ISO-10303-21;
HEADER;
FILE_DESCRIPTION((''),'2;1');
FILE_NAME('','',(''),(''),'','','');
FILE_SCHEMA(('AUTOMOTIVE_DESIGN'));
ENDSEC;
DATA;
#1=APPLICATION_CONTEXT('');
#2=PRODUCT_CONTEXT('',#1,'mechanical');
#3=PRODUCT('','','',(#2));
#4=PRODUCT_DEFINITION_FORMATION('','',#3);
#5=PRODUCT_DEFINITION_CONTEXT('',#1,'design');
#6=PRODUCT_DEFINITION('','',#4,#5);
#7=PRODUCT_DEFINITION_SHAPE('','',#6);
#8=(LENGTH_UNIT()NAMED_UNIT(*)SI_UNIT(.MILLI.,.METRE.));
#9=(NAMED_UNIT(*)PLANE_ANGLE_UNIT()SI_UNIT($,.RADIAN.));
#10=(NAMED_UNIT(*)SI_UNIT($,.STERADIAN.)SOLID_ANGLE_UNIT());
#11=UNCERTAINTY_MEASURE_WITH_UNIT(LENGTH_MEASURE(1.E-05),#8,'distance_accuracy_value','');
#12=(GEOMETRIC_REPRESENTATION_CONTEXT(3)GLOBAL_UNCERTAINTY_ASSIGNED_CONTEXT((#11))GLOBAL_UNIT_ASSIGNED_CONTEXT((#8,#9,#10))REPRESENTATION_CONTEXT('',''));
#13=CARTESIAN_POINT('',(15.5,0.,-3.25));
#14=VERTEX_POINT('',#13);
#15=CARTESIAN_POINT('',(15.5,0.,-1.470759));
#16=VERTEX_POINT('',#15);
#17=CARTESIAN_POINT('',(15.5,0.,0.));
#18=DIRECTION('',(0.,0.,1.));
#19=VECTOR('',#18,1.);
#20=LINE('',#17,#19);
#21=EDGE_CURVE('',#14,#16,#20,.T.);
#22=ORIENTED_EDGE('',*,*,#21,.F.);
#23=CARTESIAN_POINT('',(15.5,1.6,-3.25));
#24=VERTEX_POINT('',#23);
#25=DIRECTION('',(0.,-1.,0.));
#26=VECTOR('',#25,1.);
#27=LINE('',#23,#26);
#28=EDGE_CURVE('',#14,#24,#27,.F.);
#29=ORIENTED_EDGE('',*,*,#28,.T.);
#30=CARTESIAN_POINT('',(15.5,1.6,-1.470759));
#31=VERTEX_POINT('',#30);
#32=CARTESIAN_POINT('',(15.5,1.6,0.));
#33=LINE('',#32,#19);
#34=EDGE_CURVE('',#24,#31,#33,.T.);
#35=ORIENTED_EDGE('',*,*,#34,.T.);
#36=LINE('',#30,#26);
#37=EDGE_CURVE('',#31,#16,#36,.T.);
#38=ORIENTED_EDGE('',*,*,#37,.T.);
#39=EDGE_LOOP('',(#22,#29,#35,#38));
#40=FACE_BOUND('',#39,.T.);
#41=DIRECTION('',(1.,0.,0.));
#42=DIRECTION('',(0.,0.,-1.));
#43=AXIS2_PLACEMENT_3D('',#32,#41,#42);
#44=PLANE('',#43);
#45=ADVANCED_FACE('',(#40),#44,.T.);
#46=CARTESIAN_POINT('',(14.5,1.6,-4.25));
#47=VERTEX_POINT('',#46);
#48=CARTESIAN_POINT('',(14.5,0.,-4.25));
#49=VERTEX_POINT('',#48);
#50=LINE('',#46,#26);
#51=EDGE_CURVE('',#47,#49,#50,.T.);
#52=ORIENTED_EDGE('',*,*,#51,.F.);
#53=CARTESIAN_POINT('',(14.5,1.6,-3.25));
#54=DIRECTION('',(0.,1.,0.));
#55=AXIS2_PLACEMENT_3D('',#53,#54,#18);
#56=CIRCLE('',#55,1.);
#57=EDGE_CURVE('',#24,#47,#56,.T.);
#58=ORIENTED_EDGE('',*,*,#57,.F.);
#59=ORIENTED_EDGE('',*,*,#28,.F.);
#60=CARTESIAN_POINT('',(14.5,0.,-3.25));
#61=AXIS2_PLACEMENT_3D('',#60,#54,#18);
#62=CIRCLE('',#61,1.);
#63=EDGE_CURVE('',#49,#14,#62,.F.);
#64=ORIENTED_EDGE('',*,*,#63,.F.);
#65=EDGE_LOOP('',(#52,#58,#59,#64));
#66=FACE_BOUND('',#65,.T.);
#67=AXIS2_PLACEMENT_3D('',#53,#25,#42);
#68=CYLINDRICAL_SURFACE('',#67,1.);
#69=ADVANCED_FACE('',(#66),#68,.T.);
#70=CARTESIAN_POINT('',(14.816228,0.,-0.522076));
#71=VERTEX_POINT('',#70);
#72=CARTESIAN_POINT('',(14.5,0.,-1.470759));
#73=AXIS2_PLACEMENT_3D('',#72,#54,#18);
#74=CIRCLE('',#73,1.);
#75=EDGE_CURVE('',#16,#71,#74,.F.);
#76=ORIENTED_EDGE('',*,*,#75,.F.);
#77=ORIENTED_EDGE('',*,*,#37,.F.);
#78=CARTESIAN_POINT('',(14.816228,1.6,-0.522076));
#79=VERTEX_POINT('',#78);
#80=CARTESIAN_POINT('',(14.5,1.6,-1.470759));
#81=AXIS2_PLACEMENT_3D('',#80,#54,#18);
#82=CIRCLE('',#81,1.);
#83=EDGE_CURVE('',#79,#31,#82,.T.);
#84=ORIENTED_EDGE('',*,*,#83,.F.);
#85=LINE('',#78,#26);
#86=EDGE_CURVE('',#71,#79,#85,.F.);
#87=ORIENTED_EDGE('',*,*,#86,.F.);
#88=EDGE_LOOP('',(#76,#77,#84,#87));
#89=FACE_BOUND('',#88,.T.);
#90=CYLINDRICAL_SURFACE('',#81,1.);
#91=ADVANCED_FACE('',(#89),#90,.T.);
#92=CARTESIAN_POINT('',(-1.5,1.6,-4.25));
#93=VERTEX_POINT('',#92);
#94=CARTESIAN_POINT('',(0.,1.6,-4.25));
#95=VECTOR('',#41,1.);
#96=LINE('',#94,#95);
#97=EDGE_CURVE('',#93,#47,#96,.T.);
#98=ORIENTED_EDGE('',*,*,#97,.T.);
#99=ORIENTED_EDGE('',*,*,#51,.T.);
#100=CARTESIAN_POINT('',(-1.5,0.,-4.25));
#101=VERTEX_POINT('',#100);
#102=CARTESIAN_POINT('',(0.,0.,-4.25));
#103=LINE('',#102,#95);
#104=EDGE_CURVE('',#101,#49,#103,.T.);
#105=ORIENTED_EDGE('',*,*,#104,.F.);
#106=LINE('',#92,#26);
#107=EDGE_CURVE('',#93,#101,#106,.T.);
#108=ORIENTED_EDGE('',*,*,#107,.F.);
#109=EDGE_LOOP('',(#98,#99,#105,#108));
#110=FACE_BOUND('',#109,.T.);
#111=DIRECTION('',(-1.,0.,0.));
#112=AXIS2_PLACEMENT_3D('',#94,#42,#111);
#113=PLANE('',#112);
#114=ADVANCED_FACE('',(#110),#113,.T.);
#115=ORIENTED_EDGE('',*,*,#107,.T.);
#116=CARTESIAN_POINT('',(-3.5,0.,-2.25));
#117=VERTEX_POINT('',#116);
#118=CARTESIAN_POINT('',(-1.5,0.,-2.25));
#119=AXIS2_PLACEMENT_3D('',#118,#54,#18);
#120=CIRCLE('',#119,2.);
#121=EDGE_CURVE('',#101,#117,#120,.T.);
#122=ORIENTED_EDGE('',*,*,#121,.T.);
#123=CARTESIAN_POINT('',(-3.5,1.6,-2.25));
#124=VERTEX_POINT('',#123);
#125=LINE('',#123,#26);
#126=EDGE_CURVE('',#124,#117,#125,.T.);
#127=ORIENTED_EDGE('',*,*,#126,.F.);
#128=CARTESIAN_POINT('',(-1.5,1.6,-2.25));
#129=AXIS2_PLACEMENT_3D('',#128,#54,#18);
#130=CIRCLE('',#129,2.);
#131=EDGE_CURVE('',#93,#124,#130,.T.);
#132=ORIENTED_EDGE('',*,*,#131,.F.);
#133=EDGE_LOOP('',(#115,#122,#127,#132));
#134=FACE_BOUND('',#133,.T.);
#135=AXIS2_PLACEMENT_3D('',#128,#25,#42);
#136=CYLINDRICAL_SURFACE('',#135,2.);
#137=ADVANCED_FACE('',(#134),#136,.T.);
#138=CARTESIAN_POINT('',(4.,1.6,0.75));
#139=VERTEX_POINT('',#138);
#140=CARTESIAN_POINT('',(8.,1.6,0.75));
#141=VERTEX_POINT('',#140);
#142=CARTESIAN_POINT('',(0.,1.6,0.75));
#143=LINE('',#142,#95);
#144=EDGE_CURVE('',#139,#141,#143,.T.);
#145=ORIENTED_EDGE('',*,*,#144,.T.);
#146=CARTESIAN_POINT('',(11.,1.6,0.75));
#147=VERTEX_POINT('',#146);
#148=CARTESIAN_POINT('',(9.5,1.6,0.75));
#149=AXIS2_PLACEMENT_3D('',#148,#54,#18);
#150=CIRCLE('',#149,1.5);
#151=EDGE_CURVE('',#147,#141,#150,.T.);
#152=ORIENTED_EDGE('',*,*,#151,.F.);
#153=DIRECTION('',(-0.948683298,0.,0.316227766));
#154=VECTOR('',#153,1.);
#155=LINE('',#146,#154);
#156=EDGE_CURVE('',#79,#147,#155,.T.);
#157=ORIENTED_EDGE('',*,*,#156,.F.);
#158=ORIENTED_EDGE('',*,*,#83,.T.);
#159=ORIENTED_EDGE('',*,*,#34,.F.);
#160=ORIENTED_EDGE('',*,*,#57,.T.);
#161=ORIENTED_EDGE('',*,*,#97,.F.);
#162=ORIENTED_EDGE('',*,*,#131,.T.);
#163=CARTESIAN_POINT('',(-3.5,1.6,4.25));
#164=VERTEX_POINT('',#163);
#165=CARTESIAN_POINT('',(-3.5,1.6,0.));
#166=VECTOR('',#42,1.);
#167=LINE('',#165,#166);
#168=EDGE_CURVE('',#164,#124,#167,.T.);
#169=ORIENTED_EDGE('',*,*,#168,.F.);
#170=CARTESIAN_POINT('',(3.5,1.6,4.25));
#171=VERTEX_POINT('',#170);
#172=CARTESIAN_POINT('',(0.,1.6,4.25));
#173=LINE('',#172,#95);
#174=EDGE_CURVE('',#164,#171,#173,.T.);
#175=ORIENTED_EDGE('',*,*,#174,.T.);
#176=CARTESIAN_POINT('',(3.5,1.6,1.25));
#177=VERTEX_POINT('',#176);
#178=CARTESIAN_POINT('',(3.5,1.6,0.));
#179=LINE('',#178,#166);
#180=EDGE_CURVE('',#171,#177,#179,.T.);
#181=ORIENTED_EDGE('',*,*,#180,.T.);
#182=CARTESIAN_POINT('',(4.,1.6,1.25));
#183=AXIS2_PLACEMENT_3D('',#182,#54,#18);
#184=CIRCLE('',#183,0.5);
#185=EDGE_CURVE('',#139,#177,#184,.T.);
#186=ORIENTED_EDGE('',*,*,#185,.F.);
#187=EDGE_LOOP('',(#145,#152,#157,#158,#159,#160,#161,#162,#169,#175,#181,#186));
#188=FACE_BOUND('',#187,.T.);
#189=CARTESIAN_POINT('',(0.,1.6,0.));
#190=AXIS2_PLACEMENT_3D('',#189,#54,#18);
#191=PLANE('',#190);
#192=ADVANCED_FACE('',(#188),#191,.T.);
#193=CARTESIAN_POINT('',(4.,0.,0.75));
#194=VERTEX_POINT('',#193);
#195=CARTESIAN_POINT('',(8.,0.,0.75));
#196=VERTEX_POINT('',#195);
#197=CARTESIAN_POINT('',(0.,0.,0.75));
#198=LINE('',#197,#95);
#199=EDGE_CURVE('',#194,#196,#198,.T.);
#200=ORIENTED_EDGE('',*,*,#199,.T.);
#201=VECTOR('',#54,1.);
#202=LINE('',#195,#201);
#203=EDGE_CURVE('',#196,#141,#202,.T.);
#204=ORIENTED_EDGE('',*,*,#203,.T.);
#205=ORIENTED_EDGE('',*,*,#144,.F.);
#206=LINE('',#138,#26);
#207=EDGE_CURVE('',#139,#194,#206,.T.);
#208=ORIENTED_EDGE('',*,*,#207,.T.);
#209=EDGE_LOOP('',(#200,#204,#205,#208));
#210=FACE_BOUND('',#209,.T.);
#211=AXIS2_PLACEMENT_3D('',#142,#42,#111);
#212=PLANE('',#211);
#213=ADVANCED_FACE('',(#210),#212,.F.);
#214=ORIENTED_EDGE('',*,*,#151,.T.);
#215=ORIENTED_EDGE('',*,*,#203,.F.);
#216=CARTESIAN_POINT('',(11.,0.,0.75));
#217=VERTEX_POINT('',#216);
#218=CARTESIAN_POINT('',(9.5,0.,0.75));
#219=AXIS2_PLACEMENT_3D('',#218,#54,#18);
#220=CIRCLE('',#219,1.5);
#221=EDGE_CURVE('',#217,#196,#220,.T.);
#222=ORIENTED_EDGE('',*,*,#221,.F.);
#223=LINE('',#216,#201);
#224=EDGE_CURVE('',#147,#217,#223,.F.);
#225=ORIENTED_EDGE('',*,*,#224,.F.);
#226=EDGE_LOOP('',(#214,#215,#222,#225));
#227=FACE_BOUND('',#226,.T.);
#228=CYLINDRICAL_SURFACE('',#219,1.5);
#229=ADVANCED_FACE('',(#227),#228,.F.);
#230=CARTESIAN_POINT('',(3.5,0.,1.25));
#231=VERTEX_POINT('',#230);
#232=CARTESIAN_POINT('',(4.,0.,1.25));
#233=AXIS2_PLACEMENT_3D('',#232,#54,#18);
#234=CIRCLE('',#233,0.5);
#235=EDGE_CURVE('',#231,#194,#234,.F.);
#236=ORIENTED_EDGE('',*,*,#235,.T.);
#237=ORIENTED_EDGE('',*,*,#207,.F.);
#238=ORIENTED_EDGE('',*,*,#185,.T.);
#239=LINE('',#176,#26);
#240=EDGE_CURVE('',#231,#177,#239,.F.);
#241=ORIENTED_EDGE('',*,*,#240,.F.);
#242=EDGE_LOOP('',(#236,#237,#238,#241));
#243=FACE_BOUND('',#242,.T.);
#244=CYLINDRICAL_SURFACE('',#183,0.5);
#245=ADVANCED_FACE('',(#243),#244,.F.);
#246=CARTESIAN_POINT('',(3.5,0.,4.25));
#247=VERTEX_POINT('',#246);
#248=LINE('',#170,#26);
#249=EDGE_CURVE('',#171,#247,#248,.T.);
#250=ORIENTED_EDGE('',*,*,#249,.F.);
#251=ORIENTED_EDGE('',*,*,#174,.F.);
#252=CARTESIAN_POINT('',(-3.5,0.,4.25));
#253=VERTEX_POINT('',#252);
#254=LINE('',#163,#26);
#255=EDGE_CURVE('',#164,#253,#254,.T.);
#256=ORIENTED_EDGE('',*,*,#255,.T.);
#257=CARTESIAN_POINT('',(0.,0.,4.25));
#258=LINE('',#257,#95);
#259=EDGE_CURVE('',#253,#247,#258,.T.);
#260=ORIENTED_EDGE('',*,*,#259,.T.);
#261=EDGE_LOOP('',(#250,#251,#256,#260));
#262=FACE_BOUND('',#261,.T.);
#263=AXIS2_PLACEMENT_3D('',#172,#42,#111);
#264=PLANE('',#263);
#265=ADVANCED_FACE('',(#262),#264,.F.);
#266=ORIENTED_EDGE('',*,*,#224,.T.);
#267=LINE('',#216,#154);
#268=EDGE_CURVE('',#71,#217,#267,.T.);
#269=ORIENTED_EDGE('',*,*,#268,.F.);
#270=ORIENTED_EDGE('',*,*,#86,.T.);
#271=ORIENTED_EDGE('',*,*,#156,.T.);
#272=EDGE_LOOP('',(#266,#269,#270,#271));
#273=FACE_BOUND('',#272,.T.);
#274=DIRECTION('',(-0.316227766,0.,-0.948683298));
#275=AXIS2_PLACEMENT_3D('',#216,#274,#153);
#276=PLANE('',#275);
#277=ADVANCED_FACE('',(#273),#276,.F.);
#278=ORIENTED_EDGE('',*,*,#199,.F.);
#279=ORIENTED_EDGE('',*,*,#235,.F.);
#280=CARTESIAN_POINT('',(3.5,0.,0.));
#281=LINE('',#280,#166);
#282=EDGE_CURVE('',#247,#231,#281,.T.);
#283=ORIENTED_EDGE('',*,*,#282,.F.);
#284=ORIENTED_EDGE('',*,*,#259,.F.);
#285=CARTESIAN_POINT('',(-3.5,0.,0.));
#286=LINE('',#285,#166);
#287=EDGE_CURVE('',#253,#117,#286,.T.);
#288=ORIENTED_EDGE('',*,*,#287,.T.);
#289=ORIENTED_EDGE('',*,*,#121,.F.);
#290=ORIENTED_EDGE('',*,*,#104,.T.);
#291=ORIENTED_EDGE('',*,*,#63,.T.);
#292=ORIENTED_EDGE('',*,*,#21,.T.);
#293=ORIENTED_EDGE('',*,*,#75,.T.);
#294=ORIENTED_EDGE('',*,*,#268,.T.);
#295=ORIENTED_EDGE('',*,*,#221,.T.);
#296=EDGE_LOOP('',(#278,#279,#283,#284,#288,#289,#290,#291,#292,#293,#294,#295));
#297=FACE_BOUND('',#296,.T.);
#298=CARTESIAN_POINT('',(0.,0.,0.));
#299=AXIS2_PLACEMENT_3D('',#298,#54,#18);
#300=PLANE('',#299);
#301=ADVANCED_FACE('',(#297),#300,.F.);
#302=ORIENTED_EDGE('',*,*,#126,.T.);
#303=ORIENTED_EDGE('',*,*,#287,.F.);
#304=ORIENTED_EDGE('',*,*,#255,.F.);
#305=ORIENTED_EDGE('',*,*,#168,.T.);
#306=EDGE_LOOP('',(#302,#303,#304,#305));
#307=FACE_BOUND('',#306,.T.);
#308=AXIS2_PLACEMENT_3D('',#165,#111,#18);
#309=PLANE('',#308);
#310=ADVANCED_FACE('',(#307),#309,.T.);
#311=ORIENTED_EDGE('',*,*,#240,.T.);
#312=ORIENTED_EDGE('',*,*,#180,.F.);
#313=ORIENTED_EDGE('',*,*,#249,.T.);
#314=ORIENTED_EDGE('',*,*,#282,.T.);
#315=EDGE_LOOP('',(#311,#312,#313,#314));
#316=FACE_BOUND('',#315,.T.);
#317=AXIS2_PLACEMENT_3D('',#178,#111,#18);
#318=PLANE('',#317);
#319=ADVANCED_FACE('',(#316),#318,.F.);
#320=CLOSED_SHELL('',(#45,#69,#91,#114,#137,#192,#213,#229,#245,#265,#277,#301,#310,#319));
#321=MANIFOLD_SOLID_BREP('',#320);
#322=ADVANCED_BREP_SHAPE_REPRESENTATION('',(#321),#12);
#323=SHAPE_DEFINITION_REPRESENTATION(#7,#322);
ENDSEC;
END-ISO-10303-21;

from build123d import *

# Parameters (mm, degrees)
ESBO_O2_W                = 12
ESBO_O2_H                = 5
RESSALTO_EXTRUS_O1_DEPTH = 1.6
ESBO_O3_R                = 1.5
CORTE_EXTRUS_O1_DEPTH    = 1.6
CORTE_EXTRUS_O2_DEPTH    = 1.6
FILETE1_R                = 1
FILETE2_R                = 1
FILETE6_R                = 0.5


with BuildPart() as part:
    # Esboço2 → Ressalto-extrusão1 (new body)
    with BuildSketch(Plane(origin=(0, 0, 0), x_dir=(1, 0, 0), z_dir=(0, 1, 0))):
        with BuildLine():
            Line((-3.5, 2.25), (-3.5, -4.25))
            Line((-3.5, -4.25), (3.5, -4.25))
            Line((3.5, -4.25), (3.5, -0.75))
            Line((3.5, -0.75), (3.5, 4.25))
            Line((3.5, 4.25), (-1.5, 4.25))
            ThreePointArc((-1.5, 4.25), (-2.914213562, 3.664213562), (-3.5, 2.25))
        make_face()
        with Locations((9.5, 1.75)):
            Rectangle(ESBO_O2_W, ESBO_O2_H)
    extrude(amount=RESSALTO_EXTRUS_O1_DEPTH)

    # Esboço3 → Corte-extrusão1 (cut)
    with BuildSketch(Plane(origin=(0, 1.6, 0), x_dir=(1, 0, 0), z_dir=(0, 1, 0))):
        with Locations((9.5, -0.75)):
            Circle(ESBO_O3_R)
    extrude(amount=-CORTE_EXTRUS_O1_DEPTH, mode=Mode.SUBTRACT)

    # Esboço4 → Corte-extrusão2 (cut)
    with BuildSketch(Plane(origin=(0, 1.6, 0), x_dir=(1, 0, 0), z_dir=(0, 1, 0))):
        Polygon((11, -0.75), (15.5, 0.75), (15.5, -0.75), align=None)
    extrude(amount=-CORTE_EXTRUS_O2_DEPTH, mode=Mode.SUBTRACT)

    # Filete1
    filete1_edges = [part.edges().sort_by_distance(p)[0] for p in [
        (15.5, 0.8, -0.75),
    ]]
    fillet(filete1_edges, radius=FILETE1_R)

    # Filete2
    filete2_edges = [part.edges().sort_by_distance(p)[0] for p in [
        (15.5, 0.8, -4.25),
    ]]
    fillet(filete2_edges, radius=FILETE2_R)

    # Filete6
    filete6_edges = [part.edges().sort_by_distance(p)[0] for p in [
        (3.5, 0.8, 0.75),
    ]]
    fillet(filete6_edges, radius=FILETE6_R)


solid = part.part
